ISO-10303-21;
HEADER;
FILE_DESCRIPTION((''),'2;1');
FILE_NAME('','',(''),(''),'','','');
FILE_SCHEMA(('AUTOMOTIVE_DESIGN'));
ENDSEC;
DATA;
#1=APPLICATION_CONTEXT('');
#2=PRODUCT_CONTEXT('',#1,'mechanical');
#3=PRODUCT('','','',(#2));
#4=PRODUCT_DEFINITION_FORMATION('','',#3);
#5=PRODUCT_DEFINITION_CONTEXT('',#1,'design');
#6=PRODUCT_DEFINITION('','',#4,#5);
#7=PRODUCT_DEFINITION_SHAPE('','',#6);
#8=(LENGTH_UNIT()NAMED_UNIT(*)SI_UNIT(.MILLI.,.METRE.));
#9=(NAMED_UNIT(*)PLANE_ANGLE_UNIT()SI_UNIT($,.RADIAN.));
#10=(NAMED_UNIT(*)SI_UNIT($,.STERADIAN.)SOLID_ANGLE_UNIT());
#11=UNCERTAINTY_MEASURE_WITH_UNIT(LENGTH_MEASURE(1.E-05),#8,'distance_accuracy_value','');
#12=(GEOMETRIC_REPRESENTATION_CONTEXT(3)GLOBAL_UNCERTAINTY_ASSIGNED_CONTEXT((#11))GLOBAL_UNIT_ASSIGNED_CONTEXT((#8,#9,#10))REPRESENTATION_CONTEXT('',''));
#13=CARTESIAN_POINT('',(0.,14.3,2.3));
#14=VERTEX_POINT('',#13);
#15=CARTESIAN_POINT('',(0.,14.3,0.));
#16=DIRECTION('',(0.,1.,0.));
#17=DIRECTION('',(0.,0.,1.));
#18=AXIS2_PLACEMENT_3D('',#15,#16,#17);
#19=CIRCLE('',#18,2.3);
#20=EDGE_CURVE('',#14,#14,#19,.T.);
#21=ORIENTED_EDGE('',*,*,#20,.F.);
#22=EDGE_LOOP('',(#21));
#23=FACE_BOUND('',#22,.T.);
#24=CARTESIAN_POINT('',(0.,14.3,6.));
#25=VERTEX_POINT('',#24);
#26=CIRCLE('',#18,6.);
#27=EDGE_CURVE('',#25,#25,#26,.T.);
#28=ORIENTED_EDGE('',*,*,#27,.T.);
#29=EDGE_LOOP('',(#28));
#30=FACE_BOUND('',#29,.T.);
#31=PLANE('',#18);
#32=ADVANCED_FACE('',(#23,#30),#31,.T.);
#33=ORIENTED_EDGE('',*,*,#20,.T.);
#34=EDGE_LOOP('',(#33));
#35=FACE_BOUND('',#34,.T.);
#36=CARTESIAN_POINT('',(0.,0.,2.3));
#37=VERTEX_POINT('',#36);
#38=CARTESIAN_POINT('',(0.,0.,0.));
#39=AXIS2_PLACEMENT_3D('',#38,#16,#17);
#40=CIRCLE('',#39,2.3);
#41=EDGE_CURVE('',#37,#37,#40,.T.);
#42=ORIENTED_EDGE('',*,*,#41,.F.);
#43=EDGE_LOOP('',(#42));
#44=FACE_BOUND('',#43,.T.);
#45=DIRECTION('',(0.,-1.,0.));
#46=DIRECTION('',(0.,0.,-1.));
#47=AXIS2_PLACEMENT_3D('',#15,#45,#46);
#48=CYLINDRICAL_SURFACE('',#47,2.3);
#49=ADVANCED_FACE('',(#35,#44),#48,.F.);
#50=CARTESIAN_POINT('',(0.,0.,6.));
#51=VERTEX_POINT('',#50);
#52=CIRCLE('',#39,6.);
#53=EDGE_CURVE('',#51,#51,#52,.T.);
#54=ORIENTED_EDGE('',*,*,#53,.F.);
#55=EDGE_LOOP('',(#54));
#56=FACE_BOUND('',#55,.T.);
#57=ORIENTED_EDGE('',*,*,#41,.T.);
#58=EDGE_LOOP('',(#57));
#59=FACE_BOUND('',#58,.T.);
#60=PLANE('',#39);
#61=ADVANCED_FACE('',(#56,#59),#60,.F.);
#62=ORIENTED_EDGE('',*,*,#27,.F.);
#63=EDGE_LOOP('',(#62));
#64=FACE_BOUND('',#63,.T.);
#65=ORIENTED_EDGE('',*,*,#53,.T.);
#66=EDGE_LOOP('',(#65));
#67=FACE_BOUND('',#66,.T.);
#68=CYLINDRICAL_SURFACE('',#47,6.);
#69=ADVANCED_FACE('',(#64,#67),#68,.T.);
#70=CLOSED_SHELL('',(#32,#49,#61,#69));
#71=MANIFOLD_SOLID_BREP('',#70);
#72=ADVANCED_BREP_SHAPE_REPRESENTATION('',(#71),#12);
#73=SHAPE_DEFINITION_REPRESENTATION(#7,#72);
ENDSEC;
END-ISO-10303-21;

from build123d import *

# Parameters (mm, degrees)
SKETCH1_R           = 6
SKETCH1_R_2         = 2.3
BOSS_EXTRUDE1_DEPTH = 14.3


with BuildPart() as part:
    # Sketch1 → Boss-Extrude1 (new body)
    with BuildSketch(Plane(origin=(0, 0, 0), x_dir=(1, 0, 0), z_dir=(0, 1, 0))):
        with Locations(Location((0, 0, 0), (0, 0, 270))):
            Circle(SKETCH1_R)
        with Locations(Location((0, 0, 0), (0, 0, 270))):
            Circle(SKETCH1_R_2, mode=Mode.SUBTRACT)
    extrude(amount=BOSS_EXTRUDE1_DEPTH)


solid = part.part
